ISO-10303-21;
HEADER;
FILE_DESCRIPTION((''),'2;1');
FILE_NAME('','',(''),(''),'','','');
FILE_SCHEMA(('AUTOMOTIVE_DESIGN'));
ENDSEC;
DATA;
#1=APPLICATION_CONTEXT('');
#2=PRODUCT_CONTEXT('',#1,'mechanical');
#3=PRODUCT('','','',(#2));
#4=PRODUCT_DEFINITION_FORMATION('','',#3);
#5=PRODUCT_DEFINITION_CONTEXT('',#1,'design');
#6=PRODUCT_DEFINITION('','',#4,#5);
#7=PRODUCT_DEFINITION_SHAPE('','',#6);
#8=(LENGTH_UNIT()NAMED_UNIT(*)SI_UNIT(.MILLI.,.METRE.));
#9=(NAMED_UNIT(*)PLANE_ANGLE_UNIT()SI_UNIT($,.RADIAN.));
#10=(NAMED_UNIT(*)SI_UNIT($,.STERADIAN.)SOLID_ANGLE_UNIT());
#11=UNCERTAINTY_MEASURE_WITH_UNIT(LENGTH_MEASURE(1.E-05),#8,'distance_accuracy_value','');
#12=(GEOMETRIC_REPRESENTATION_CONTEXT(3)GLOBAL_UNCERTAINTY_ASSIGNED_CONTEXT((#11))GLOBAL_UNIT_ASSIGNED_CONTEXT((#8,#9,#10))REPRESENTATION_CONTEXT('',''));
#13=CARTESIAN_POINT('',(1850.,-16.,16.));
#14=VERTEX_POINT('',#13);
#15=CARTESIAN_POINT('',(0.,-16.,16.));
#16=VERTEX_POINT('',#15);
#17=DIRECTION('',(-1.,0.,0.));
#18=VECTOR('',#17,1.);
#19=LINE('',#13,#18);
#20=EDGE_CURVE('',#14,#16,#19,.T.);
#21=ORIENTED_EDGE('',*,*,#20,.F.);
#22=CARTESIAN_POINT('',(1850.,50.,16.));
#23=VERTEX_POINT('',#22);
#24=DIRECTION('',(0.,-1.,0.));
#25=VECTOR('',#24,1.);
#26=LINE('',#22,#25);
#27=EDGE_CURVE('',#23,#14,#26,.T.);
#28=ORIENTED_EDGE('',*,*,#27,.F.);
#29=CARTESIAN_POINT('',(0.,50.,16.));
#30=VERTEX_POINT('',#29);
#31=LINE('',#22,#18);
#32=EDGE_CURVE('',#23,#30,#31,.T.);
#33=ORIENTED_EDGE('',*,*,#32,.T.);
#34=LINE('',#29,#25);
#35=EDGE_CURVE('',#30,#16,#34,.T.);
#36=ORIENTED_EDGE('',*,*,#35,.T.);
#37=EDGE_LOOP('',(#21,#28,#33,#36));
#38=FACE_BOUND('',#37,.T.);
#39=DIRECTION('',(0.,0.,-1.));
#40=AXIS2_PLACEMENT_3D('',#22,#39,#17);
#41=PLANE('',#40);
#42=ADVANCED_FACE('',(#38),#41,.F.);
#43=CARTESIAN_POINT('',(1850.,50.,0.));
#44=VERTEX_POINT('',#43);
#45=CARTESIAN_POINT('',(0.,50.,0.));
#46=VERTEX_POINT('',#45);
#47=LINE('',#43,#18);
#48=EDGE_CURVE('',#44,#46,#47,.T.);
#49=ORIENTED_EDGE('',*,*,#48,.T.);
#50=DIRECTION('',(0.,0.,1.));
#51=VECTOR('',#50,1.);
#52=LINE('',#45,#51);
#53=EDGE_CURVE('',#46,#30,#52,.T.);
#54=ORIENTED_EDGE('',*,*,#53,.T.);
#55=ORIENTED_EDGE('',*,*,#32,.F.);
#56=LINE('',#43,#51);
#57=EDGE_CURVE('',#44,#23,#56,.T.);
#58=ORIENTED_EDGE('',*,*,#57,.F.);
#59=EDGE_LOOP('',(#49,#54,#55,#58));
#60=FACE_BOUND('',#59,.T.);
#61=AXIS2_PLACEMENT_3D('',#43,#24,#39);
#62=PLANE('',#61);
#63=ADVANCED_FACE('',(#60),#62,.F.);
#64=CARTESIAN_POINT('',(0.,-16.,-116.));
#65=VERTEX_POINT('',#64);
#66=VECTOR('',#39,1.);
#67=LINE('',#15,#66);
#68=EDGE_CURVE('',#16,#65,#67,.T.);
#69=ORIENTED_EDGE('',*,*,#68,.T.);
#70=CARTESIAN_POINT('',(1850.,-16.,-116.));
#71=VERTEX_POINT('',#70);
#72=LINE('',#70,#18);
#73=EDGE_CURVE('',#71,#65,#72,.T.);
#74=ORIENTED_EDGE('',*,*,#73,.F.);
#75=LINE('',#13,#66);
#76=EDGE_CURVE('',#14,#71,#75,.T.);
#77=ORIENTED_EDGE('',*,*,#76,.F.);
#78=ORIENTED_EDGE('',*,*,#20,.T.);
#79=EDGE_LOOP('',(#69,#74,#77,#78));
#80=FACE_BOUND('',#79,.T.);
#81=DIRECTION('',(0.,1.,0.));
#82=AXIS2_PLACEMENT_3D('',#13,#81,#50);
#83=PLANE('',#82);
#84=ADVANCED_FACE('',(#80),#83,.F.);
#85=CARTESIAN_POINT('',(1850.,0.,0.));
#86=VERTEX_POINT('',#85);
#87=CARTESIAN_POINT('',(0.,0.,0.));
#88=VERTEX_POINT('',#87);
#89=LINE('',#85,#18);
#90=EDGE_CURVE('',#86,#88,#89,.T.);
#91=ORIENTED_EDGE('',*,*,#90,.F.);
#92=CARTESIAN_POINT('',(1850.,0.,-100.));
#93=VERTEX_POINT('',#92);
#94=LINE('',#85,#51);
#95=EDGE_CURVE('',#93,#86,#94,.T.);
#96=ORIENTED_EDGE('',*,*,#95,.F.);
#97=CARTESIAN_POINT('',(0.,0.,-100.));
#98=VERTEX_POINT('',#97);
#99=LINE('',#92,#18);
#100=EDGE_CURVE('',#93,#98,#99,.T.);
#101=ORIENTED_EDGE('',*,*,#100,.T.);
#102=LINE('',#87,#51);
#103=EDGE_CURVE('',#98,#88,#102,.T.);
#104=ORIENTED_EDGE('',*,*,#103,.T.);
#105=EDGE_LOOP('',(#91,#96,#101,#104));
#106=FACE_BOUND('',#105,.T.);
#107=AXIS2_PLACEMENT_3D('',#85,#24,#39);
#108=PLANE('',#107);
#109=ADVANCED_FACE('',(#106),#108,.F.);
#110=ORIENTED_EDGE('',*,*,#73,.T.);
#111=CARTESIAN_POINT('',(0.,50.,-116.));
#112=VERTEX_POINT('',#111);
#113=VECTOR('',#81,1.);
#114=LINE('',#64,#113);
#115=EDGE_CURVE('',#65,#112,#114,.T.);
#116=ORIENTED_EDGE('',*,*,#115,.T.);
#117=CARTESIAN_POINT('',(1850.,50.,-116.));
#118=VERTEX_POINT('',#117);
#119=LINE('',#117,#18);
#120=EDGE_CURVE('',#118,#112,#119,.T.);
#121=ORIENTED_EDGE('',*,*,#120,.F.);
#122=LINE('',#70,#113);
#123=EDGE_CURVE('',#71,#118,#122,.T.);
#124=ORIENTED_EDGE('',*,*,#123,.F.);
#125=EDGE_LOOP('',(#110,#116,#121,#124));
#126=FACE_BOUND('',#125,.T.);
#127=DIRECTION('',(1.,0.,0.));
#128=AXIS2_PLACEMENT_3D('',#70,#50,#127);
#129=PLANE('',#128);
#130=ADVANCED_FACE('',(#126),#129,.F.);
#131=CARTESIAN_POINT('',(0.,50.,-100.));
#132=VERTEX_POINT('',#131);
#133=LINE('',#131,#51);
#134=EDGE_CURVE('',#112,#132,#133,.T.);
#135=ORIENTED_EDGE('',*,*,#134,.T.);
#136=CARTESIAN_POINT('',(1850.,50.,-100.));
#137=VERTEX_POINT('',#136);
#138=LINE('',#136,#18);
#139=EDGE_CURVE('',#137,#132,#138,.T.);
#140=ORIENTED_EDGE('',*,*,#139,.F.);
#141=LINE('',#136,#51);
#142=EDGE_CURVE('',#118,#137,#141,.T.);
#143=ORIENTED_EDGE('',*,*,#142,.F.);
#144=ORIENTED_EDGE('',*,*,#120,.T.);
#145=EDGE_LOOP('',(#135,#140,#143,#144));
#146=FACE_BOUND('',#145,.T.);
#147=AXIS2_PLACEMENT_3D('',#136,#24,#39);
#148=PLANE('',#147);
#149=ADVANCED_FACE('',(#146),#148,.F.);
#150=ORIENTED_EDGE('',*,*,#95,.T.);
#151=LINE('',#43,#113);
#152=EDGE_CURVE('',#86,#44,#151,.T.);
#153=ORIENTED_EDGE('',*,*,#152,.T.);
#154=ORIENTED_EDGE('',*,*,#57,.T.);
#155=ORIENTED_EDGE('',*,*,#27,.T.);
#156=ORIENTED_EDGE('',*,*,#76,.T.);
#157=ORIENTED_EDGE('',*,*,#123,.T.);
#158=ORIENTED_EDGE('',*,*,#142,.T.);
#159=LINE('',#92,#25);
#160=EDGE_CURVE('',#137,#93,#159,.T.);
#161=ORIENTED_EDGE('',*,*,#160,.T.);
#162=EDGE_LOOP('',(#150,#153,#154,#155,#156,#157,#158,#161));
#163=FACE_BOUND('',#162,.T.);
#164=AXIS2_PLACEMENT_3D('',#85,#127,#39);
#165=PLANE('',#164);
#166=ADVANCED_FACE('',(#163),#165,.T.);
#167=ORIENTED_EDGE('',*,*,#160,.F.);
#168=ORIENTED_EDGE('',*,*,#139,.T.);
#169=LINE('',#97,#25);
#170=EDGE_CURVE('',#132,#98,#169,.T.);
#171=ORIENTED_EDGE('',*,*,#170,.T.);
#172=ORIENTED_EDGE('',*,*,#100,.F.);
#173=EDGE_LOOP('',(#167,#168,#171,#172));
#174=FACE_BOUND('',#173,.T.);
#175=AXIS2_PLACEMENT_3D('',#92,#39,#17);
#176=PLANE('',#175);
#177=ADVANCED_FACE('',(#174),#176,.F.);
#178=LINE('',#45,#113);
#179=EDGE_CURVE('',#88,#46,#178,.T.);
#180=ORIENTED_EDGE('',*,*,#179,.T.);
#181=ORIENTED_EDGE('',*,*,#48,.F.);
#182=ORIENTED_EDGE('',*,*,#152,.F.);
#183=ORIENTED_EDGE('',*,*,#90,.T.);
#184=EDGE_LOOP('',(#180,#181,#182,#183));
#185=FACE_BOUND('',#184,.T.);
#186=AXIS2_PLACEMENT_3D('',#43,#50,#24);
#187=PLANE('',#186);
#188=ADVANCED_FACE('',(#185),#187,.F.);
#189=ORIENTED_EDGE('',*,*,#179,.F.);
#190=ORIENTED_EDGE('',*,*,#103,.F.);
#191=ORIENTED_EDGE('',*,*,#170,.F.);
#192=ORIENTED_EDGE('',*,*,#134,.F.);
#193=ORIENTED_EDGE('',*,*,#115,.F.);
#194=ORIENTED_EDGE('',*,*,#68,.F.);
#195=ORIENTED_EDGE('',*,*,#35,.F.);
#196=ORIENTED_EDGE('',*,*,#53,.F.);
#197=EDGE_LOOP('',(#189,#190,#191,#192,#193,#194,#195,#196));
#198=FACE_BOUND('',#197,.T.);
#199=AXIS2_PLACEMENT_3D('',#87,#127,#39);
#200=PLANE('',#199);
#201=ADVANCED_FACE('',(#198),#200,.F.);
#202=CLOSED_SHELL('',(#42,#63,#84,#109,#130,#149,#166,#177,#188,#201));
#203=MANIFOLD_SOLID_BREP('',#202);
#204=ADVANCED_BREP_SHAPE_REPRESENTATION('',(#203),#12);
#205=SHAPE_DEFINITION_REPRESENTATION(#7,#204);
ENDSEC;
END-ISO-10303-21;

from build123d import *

# Parameters (mm, degrees)
AUFSATZ_LINEAR_AUSTRAGEN1_DEPTH = 1850


with BuildPart() as part:
    # Skizze1 → Aufsatz-Linear austragen1 (new body)
    with BuildSketch(Plane(origin=(0, 0, 0), x_dir=(0, 0, -1), z_dir=(1, 0, 0))):
        Polygon((0, 50), (0, 0), (100, 0), (100, 50), (116, 50), (116, -16), (-16, -16), (-16, 50), align=None)
    extrude(amount=AUFSATZ_LINEAR_AUSTRAGEN1_DEPTH)


solid = part.part
